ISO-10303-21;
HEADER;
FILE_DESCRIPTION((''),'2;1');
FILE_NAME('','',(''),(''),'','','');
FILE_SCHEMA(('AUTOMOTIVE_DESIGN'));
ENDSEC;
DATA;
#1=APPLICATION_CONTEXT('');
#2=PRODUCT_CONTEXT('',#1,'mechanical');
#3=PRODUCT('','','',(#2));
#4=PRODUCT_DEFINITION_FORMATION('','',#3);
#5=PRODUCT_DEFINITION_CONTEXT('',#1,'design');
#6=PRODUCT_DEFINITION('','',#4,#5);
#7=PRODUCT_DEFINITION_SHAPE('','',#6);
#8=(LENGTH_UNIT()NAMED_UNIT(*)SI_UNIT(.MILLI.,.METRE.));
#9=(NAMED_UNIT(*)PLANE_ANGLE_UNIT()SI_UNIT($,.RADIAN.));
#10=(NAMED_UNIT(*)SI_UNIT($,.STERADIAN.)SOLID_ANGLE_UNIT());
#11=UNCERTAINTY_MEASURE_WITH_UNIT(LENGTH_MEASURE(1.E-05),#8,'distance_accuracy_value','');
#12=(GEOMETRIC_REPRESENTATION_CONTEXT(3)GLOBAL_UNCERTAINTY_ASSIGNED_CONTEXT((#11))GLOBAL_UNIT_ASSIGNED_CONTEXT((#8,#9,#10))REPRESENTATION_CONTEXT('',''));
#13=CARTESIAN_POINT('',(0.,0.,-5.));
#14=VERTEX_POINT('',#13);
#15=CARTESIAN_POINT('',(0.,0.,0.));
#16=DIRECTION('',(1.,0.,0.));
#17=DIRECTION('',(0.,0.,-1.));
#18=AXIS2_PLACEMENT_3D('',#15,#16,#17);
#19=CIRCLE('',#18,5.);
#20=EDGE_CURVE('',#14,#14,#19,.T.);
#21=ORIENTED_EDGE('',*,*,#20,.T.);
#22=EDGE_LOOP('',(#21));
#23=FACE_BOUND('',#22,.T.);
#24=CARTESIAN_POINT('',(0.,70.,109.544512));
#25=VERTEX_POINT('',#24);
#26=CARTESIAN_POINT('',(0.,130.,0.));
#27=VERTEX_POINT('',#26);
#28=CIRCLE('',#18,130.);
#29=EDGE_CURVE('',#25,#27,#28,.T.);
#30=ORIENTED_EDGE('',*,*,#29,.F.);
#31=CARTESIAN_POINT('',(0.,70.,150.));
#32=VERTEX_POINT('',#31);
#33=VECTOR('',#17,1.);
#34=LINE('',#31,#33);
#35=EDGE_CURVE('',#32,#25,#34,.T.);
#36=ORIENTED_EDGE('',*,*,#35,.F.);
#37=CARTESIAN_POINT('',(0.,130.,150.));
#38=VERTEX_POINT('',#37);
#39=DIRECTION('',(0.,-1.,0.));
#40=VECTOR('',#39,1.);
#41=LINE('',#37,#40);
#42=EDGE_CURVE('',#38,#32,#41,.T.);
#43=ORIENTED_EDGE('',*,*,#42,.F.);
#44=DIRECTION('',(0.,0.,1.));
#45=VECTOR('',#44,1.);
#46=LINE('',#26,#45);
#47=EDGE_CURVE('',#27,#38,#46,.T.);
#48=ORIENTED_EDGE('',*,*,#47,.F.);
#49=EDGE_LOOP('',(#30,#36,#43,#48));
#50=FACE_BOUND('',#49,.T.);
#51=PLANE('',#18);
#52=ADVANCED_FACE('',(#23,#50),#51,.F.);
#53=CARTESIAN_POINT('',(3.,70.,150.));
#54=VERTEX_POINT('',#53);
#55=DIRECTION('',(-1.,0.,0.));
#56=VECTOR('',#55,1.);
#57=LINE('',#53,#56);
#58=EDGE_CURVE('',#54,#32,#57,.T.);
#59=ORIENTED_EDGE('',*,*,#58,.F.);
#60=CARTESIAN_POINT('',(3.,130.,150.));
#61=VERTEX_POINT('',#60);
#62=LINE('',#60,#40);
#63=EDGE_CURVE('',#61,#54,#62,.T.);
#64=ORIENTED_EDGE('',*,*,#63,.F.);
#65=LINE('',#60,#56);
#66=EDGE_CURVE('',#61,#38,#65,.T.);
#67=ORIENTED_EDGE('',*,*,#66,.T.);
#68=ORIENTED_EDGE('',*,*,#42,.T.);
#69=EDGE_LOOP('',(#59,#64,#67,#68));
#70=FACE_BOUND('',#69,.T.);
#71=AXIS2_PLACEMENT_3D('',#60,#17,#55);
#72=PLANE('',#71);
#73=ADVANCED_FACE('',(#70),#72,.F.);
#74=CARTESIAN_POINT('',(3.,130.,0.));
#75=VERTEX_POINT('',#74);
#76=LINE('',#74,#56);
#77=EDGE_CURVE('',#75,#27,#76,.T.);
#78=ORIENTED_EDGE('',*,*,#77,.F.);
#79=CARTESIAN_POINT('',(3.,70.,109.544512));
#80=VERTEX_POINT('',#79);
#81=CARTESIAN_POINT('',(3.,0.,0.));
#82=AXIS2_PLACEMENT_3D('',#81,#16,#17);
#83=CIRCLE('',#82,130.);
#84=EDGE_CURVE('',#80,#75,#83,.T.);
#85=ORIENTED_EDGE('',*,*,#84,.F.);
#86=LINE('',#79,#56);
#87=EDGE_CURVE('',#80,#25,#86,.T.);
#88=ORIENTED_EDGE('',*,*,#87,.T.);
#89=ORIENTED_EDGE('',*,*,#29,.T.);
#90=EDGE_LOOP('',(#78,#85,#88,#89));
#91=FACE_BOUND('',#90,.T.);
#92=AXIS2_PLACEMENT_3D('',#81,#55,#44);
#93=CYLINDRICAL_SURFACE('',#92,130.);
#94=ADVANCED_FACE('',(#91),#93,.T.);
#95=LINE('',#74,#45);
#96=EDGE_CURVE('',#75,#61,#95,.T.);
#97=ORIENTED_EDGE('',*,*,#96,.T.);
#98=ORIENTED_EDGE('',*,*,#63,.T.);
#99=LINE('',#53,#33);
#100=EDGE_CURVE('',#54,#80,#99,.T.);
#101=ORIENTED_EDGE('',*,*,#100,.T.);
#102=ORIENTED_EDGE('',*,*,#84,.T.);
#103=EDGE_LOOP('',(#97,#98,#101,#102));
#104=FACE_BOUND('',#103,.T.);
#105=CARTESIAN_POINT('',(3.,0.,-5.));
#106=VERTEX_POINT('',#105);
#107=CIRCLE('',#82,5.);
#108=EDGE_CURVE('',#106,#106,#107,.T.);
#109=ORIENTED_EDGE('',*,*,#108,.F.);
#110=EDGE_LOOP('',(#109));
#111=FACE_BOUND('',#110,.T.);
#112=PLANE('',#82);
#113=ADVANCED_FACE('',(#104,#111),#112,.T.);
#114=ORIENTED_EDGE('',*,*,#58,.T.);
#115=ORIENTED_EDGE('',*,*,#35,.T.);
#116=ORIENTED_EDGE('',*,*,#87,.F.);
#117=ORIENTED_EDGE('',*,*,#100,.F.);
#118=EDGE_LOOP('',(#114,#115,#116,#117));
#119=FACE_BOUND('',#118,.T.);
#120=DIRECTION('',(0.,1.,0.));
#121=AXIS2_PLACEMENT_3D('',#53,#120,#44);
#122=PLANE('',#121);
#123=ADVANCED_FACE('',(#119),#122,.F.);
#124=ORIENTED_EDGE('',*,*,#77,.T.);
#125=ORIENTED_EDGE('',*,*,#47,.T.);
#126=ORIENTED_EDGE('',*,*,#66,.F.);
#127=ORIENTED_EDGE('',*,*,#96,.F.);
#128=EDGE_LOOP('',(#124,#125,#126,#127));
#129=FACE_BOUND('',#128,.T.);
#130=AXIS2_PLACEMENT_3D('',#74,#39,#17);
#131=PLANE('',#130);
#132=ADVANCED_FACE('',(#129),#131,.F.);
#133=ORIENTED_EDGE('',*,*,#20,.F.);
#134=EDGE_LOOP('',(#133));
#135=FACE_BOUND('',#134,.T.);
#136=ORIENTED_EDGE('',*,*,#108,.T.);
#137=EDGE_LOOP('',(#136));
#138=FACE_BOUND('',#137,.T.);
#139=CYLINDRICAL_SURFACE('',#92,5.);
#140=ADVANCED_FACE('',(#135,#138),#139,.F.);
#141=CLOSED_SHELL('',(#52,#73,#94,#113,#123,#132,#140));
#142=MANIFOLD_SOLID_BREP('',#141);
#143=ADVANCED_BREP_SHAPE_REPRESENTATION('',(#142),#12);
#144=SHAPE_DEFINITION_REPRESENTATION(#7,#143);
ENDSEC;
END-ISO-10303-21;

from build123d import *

# Parameters (mm, degrees)
SKETCH1_R           = 5
BOSS_EXTRUDE1_DEPTH = 3


with BuildPart() as part:
    # Sketch1 → Boss-Extrude1 (new body)
    with BuildSketch(Plane(origin=(0, 0, 0), x_dir=(0, 0, -1), z_dir=(1, 0, 0))):
        with BuildLine():
            Line((0, 130), (-150, 130))
            Line((-150, 130), (-150, 70))
            Line((-150, 70), (-109.544511501, 70))
            ThreePointArc((-109.544511501, 70), (62.449979984, -114.01754251), (0, 130))
        make_face()
        Circle(SKETCH1_R, mode=Mode.SUBTRACT)
    extrude(amount=BOSS_EXTRUDE1_DEPTH)


solid = part.part
